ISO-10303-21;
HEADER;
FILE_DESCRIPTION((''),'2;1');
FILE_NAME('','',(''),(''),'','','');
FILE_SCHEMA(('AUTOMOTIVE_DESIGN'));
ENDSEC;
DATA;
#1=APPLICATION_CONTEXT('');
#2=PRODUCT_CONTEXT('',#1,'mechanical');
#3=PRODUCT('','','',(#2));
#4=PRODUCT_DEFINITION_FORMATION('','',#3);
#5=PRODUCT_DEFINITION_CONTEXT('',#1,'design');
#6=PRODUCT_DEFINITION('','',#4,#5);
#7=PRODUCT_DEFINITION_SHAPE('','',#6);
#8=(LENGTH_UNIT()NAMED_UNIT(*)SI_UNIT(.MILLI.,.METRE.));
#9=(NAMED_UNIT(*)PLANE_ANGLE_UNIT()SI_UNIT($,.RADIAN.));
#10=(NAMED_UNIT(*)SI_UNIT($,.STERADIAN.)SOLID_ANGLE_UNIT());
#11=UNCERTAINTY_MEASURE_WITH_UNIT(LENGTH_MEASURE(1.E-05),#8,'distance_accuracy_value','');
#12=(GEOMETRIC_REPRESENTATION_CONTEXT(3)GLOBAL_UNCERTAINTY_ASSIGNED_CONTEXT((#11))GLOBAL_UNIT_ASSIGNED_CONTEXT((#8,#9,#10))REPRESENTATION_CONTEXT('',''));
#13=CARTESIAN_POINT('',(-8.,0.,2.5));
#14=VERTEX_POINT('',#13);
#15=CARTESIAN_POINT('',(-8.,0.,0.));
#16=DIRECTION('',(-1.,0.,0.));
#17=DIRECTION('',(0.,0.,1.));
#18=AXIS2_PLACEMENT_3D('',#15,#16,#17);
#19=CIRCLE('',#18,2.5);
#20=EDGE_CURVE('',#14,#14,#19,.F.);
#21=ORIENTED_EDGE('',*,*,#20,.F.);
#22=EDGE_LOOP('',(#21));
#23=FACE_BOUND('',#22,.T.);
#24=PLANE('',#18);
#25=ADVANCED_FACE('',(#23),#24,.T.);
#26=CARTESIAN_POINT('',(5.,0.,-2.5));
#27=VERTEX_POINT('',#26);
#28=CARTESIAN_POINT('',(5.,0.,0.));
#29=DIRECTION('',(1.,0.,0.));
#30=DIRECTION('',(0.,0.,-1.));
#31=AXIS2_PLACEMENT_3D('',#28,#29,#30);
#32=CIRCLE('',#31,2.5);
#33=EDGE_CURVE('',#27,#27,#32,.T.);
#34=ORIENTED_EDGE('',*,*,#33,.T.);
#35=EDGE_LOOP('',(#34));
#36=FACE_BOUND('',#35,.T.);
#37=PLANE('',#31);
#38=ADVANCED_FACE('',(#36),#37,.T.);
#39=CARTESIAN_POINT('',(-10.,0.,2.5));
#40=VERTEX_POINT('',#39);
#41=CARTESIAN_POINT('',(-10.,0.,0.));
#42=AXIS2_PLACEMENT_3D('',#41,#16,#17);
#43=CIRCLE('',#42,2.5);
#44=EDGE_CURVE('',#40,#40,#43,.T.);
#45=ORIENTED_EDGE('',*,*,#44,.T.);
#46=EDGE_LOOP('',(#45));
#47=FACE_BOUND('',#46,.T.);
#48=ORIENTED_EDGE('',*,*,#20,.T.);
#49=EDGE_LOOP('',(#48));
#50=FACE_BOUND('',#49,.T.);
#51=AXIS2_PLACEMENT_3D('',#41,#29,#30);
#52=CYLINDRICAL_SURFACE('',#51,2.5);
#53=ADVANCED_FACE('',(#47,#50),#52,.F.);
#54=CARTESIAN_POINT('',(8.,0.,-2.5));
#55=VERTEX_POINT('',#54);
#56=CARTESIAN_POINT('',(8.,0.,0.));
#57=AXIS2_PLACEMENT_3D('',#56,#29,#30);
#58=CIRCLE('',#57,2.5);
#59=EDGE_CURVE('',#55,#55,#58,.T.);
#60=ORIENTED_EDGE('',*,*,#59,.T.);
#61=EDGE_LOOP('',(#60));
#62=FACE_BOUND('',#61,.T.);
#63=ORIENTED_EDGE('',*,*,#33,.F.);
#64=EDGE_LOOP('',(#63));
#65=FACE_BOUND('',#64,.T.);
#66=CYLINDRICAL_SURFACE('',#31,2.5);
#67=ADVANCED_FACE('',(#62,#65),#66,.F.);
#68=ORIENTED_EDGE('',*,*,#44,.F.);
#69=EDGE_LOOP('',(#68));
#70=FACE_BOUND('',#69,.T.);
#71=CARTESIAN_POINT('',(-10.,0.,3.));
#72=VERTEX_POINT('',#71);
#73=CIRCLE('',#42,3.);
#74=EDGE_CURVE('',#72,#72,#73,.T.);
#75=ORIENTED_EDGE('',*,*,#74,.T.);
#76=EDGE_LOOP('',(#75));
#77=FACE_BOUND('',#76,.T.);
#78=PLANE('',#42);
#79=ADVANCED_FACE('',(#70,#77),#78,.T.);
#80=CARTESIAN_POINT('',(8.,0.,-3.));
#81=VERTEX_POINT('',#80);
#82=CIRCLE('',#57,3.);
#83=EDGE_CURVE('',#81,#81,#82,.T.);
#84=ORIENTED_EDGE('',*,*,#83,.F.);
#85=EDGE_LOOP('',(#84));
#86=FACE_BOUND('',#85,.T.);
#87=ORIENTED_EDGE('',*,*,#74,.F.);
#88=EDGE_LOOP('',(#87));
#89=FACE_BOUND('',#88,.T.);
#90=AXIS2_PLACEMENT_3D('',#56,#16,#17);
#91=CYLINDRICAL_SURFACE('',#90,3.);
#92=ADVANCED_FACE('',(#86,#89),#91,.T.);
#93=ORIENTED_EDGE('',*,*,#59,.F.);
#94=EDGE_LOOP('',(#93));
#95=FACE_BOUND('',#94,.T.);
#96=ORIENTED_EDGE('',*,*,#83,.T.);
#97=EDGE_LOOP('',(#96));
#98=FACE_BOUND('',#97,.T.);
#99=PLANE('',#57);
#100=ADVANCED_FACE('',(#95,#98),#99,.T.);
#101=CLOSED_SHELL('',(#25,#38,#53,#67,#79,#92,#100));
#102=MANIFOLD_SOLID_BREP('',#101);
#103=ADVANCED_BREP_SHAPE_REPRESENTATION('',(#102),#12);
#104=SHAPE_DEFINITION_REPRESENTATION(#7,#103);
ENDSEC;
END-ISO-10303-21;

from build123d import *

# Parameters (mm, degrees)
SKETCH1_R           = 3
BOSS_EXTRUDE1_DEPTH = 8
SKETCH2_R           = 2.5
CUT_EXTRUDE1_DEPTH  = 3
CUT_EXTRUDE2_START  = -2
SKETCH3_R           = 2.5
CUT_EXTRUDE2_DEPTH  = 2
SKETCH4_R           = 2.5
BOSS_EXTRUDE2_DEPTH = 10
SKETCH5_R           = 3
SKETCH5_R_2         = 2.5
BOSS_EXTRUDE3_DEPTH = 10


with BuildPart() as part:
    # Sketch1 → Boss-Extrude1 (new body)
    with BuildSketch(Plane(origin=(0, 0, 0), x_dir=(0, 0, -1), z_dir=(1, 0, 0))):
        Circle(SKETCH1_R)
    extrude(amount=BOSS_EXTRUDE1_DEPTH)

    # Sketch2 → Cut-Extrude1 (cut)
    with BuildSketch(Plane(origin=(8, 0, 0), x_dir=(0, 0, -1), z_dir=(1, 0, 0))):
        Circle(SKETCH2_R)
    extrude(amount=-CUT_EXTRUDE1_DEPTH, mode=Mode.SUBTRACT)

    # Sketch3 → Cut-Extrude2 (cut)
    with BuildSketch(Plane.ZY.offset(CUT_EXTRUDE2_START)):
        with Locations(Location((0, 0, 0), (0, 0, 180))):
            Circle(SKETCH3_R)
    extrude(amount=CUT_EXTRUDE2_DEPTH, mode=Mode.SUBTRACT)

    # Sketch4 → Boss-Extrude2 (add)
    with BuildSketch(Plane.ZY.offset(-2)):
        with Locations(Location((0, 0, 0), (0, 0, 180))):
            Circle(SKETCH4_R)
    extrude(amount=BOSS_EXTRUDE2_DEPTH)

    # Sketch5 → Boss-Extrude3 (add)
    with BuildSketch(Plane.ZY):
        Circle(SKETCH5_R)
        with Locations(Location((0, 0, 0), (0, 0, 180))):
            Circle(SKETCH5_R_2, mode=Mode.SUBTRACT)
    extrude(amount=BOSS_EXTRUDE3_DEPTH)


solid = part.part
